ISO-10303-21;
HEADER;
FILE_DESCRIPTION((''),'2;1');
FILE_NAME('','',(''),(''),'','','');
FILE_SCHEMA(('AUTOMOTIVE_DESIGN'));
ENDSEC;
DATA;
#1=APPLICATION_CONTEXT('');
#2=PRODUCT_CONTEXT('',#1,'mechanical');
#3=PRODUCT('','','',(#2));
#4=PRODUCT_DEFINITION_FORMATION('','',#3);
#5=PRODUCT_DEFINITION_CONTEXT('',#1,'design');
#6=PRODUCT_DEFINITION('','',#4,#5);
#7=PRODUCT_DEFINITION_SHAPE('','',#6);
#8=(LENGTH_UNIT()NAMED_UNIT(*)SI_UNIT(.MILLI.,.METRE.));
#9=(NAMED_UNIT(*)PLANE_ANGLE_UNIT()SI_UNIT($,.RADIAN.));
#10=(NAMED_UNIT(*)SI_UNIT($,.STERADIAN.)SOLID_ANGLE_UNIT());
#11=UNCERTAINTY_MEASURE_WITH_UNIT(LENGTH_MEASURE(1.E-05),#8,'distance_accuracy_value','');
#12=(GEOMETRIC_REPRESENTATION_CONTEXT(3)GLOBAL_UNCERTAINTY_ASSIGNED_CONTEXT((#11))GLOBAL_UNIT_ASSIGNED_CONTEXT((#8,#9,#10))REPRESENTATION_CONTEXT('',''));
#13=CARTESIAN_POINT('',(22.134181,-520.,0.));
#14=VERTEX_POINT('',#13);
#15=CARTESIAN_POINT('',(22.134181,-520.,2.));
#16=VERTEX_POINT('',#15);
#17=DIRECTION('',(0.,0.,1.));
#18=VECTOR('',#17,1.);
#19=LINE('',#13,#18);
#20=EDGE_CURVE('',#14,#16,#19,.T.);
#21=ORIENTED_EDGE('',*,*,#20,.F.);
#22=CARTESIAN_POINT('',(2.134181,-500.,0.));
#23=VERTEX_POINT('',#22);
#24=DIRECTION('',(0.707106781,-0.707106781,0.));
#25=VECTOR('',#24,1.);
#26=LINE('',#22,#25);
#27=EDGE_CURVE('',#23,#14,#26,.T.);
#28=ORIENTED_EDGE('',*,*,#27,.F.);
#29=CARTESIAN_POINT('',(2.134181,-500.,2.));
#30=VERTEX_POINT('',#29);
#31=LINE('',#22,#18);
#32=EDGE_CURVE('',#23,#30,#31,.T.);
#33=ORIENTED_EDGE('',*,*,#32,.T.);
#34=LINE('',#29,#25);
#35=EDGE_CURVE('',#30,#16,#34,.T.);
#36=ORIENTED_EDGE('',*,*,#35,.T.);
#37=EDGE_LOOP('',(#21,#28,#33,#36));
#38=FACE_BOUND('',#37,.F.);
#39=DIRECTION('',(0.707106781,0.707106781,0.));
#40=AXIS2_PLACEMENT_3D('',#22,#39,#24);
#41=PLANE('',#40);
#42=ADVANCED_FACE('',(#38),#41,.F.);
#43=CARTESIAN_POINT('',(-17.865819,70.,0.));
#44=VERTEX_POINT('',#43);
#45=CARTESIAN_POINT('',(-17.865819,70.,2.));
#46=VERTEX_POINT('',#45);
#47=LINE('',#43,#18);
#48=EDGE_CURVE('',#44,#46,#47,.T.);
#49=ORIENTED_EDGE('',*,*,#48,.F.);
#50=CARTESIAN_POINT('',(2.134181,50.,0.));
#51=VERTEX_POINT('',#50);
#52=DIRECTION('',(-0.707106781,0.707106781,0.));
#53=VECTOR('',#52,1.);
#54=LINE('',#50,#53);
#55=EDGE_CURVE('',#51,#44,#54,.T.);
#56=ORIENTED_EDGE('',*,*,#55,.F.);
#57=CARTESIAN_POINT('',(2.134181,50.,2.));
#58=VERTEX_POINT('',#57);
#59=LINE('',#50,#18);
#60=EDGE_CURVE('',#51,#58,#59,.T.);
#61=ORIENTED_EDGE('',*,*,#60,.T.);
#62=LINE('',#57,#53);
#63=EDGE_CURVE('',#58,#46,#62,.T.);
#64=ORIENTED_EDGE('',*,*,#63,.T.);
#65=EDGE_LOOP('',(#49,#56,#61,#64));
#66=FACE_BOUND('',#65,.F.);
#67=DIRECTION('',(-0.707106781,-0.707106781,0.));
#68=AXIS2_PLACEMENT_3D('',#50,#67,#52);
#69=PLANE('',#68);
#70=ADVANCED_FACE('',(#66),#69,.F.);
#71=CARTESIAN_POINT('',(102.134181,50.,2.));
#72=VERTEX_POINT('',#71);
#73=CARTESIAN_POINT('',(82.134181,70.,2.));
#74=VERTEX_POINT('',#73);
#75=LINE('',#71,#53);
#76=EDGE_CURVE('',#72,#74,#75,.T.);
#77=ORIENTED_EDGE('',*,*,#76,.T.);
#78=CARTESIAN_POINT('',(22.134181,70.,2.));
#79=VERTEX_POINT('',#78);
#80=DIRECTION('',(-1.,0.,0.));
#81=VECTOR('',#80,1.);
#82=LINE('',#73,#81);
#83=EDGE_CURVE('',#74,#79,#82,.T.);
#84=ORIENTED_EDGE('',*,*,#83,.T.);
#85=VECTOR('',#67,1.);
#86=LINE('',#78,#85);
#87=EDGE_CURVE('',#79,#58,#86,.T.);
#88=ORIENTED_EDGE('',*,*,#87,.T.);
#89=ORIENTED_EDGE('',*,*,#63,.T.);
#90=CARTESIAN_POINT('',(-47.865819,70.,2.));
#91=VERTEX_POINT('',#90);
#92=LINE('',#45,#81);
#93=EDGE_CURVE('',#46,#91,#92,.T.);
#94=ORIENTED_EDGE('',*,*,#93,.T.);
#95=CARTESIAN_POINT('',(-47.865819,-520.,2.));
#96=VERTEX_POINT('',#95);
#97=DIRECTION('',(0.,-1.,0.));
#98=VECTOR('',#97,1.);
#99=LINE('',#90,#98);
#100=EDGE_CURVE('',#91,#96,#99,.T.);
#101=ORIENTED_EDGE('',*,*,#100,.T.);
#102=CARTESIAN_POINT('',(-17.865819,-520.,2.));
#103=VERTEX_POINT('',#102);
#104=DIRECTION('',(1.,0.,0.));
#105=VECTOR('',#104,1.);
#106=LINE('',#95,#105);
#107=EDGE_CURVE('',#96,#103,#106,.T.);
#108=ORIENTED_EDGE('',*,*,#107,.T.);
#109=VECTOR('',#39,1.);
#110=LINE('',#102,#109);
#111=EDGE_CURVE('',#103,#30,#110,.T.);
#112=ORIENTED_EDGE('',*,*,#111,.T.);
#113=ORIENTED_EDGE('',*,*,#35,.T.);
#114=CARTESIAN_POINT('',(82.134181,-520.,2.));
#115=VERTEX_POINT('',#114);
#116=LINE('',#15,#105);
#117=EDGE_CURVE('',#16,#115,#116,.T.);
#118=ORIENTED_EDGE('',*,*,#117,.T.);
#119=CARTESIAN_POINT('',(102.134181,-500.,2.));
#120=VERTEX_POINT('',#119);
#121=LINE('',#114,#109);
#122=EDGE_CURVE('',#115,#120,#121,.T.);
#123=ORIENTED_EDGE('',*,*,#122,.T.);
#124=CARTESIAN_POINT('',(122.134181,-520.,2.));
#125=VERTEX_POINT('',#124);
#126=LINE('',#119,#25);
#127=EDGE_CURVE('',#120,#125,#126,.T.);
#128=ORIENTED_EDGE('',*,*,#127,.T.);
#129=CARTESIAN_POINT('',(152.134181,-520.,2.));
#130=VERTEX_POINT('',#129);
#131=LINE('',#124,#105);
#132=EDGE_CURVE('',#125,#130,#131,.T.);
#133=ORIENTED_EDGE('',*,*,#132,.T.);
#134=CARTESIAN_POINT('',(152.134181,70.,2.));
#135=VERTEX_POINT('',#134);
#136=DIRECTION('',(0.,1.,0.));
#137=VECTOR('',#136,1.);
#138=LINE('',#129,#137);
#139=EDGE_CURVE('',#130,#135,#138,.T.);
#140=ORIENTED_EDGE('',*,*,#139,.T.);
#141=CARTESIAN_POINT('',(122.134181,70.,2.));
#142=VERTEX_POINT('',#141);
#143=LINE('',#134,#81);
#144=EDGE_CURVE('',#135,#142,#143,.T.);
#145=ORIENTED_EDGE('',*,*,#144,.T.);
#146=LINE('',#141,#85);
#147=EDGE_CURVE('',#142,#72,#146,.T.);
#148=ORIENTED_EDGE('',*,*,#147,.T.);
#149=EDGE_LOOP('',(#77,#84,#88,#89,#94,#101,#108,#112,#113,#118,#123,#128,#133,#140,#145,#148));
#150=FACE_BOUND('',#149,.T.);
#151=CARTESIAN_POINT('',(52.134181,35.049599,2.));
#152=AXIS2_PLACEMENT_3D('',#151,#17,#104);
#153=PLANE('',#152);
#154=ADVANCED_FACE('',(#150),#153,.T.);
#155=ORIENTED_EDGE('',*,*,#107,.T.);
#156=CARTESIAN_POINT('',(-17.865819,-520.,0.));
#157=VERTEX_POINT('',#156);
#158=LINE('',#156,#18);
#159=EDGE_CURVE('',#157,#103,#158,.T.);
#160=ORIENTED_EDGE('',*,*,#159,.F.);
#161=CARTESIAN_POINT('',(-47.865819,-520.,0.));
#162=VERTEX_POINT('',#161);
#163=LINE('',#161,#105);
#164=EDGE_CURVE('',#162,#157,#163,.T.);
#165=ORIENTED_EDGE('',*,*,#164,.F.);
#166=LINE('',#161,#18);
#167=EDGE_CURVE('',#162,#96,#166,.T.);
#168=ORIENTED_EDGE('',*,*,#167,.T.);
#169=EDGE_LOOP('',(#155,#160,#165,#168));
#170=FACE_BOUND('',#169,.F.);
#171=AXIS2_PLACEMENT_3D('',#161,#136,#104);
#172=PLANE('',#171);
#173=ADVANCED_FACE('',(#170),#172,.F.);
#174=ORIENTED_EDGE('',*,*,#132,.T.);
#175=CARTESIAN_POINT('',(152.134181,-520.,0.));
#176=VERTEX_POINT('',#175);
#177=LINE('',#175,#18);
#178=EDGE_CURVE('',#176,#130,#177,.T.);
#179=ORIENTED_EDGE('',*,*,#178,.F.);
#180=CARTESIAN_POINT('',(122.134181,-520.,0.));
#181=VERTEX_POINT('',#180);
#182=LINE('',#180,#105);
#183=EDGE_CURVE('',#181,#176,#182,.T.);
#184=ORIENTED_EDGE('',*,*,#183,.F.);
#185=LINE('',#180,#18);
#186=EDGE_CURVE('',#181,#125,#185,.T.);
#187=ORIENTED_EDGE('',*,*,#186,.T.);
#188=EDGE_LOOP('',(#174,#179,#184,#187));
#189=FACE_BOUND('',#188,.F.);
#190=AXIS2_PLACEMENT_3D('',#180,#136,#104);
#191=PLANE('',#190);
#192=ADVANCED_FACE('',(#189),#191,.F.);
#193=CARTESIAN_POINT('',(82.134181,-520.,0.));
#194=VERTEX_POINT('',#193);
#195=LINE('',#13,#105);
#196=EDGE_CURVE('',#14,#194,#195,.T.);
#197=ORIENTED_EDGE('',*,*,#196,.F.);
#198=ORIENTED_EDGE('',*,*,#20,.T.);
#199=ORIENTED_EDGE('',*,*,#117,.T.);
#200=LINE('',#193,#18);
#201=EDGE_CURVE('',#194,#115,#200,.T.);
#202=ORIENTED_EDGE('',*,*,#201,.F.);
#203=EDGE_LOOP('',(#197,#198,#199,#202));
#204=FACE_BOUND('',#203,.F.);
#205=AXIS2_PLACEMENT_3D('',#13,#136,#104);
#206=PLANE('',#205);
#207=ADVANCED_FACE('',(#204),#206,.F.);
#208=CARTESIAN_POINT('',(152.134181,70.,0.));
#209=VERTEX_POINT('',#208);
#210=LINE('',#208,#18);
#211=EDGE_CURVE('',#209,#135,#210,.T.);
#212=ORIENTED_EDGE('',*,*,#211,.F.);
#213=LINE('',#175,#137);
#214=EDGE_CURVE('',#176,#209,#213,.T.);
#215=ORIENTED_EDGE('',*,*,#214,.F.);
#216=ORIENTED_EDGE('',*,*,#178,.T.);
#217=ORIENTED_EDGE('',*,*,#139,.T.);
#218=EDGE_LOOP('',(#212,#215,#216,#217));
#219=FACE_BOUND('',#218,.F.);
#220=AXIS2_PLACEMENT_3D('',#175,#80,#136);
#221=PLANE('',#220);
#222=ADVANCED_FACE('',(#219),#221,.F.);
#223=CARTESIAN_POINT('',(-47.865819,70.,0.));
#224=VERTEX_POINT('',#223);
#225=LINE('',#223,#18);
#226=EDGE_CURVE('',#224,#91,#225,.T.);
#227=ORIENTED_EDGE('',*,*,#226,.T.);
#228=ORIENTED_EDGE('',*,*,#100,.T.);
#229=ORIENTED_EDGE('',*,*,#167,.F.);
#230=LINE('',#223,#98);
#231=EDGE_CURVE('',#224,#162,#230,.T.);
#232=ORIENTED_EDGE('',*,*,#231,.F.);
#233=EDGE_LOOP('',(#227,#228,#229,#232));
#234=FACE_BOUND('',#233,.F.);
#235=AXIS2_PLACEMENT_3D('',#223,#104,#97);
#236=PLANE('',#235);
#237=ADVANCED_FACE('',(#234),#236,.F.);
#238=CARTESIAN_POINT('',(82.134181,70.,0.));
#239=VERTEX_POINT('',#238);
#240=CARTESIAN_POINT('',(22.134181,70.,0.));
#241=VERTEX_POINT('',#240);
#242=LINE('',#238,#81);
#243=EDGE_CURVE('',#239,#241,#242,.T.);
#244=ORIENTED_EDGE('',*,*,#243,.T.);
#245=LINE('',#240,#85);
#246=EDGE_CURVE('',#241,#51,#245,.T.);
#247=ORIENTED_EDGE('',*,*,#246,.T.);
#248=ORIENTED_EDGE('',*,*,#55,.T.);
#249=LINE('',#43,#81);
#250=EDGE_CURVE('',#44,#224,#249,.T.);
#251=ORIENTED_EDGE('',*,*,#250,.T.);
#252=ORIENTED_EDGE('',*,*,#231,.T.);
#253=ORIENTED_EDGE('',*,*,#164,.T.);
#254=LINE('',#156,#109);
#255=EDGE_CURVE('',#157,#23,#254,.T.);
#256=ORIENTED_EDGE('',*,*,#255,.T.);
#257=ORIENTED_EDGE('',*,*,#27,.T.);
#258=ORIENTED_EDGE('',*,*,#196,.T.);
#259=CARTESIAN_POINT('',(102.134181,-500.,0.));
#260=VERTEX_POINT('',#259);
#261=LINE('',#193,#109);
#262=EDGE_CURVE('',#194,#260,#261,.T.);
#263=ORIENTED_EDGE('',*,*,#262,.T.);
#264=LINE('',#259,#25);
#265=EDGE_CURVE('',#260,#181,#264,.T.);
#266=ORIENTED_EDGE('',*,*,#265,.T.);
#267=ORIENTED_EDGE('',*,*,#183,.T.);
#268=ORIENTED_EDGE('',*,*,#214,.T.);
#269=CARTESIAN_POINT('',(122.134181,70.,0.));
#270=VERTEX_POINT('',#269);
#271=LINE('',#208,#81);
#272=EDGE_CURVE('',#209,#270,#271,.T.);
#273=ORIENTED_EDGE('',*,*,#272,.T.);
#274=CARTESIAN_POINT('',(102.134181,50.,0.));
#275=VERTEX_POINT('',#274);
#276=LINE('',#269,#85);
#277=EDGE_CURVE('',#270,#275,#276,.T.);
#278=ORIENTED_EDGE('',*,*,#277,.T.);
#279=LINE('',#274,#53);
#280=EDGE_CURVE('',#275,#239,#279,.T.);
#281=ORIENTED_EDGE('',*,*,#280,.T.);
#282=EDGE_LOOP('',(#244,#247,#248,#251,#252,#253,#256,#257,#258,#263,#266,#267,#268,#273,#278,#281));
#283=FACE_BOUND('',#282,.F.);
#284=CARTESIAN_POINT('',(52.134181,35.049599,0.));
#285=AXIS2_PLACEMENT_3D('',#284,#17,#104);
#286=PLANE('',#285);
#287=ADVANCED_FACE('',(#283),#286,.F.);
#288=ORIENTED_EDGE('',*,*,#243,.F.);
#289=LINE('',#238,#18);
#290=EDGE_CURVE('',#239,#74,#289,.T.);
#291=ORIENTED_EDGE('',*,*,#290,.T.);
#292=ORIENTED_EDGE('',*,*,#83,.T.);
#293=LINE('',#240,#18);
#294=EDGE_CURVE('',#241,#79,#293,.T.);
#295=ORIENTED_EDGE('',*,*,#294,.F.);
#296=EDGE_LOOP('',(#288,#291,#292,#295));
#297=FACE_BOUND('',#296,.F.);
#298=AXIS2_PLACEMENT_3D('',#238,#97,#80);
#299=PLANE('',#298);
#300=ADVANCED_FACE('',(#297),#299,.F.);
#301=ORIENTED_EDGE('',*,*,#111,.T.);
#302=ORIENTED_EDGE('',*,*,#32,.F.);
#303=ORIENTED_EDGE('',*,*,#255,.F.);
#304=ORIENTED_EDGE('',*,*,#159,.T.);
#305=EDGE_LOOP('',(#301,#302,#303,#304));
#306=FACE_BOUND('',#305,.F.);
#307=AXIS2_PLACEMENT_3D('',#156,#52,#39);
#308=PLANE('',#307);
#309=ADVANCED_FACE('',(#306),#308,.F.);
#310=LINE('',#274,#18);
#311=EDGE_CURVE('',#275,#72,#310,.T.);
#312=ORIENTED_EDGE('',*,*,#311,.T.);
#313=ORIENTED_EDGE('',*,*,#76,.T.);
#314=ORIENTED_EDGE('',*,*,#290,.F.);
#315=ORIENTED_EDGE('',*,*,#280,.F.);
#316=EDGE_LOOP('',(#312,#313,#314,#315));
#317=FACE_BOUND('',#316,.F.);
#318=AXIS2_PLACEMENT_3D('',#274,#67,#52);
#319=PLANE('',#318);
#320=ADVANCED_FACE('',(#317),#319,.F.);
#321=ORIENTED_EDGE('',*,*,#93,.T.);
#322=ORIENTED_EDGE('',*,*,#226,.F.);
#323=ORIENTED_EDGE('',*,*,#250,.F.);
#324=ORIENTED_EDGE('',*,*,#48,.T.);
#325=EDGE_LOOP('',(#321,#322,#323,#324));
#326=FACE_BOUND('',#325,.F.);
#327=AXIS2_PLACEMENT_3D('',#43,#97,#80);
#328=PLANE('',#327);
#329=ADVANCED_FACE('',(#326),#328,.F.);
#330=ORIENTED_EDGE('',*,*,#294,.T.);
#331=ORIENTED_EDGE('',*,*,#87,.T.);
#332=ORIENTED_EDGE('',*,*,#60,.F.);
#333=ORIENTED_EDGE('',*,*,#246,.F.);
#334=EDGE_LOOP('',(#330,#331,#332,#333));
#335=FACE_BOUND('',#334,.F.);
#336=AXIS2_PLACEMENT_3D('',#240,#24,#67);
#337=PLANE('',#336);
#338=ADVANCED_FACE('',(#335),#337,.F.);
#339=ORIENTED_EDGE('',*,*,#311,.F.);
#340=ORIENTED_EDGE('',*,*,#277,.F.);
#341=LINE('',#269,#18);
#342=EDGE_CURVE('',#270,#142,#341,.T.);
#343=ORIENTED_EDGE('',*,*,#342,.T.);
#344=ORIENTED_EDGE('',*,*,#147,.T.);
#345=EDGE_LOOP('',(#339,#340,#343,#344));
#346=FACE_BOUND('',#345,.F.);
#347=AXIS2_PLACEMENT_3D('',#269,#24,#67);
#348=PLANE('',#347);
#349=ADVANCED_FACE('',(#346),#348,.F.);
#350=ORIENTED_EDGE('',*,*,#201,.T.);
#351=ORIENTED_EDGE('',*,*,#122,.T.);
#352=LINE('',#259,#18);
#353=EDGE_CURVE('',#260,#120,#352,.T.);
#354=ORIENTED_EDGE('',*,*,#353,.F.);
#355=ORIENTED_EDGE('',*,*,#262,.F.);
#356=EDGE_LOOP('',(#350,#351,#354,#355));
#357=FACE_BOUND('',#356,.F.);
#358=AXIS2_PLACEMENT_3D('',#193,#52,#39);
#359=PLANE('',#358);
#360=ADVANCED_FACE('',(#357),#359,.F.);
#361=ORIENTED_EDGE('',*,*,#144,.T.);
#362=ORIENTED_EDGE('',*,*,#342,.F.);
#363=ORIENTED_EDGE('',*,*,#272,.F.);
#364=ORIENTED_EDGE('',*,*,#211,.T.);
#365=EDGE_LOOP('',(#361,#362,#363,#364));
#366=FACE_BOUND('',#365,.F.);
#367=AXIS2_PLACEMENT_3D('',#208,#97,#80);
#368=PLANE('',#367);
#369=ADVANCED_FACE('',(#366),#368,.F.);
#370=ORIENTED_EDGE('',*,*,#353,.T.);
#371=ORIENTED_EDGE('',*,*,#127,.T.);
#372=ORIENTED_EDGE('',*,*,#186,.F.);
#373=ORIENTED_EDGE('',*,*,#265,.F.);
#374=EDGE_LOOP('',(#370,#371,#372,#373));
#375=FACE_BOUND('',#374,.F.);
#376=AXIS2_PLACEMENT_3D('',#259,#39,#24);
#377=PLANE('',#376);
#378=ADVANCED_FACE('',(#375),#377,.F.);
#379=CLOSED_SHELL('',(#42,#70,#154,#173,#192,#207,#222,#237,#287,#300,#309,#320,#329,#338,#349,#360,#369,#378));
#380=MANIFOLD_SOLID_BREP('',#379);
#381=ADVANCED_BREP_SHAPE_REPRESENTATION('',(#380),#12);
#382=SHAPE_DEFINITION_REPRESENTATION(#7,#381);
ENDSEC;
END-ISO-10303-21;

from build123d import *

# Parameters (mm, degrees)
F0_W     = 200
F0_H     = 450
F1_DEPTH = 2


with BuildPart() as f1:
    # F0 (on Top) → F1 (new body)
    with BuildSketch(Plane.XY):
        Polygon((-47.865819, 70), (-47.865819, 0), (152.134181, 0), (152.134181, 70), (122.134181, 70), (102.134181, 50), (82.134181, 70), (22.134181, 70), (2.134181, 50), (-17.865819, 70), align=None)
        with Locations((52.134181, -225)):
            Rectangle(F0_W, F0_H)
        Polygon((152.134181, -450), (-47.865819, -450), (-47.865819, -520), (-17.865819, -520), (2.134181, -500), (22.134181, -520), (82.134181, -520), (102.134181, -500), (122.134181, -520), (152.134181, -520), align=None)
    extrude(amount=F1_DEPTH)


solid = f1.part
